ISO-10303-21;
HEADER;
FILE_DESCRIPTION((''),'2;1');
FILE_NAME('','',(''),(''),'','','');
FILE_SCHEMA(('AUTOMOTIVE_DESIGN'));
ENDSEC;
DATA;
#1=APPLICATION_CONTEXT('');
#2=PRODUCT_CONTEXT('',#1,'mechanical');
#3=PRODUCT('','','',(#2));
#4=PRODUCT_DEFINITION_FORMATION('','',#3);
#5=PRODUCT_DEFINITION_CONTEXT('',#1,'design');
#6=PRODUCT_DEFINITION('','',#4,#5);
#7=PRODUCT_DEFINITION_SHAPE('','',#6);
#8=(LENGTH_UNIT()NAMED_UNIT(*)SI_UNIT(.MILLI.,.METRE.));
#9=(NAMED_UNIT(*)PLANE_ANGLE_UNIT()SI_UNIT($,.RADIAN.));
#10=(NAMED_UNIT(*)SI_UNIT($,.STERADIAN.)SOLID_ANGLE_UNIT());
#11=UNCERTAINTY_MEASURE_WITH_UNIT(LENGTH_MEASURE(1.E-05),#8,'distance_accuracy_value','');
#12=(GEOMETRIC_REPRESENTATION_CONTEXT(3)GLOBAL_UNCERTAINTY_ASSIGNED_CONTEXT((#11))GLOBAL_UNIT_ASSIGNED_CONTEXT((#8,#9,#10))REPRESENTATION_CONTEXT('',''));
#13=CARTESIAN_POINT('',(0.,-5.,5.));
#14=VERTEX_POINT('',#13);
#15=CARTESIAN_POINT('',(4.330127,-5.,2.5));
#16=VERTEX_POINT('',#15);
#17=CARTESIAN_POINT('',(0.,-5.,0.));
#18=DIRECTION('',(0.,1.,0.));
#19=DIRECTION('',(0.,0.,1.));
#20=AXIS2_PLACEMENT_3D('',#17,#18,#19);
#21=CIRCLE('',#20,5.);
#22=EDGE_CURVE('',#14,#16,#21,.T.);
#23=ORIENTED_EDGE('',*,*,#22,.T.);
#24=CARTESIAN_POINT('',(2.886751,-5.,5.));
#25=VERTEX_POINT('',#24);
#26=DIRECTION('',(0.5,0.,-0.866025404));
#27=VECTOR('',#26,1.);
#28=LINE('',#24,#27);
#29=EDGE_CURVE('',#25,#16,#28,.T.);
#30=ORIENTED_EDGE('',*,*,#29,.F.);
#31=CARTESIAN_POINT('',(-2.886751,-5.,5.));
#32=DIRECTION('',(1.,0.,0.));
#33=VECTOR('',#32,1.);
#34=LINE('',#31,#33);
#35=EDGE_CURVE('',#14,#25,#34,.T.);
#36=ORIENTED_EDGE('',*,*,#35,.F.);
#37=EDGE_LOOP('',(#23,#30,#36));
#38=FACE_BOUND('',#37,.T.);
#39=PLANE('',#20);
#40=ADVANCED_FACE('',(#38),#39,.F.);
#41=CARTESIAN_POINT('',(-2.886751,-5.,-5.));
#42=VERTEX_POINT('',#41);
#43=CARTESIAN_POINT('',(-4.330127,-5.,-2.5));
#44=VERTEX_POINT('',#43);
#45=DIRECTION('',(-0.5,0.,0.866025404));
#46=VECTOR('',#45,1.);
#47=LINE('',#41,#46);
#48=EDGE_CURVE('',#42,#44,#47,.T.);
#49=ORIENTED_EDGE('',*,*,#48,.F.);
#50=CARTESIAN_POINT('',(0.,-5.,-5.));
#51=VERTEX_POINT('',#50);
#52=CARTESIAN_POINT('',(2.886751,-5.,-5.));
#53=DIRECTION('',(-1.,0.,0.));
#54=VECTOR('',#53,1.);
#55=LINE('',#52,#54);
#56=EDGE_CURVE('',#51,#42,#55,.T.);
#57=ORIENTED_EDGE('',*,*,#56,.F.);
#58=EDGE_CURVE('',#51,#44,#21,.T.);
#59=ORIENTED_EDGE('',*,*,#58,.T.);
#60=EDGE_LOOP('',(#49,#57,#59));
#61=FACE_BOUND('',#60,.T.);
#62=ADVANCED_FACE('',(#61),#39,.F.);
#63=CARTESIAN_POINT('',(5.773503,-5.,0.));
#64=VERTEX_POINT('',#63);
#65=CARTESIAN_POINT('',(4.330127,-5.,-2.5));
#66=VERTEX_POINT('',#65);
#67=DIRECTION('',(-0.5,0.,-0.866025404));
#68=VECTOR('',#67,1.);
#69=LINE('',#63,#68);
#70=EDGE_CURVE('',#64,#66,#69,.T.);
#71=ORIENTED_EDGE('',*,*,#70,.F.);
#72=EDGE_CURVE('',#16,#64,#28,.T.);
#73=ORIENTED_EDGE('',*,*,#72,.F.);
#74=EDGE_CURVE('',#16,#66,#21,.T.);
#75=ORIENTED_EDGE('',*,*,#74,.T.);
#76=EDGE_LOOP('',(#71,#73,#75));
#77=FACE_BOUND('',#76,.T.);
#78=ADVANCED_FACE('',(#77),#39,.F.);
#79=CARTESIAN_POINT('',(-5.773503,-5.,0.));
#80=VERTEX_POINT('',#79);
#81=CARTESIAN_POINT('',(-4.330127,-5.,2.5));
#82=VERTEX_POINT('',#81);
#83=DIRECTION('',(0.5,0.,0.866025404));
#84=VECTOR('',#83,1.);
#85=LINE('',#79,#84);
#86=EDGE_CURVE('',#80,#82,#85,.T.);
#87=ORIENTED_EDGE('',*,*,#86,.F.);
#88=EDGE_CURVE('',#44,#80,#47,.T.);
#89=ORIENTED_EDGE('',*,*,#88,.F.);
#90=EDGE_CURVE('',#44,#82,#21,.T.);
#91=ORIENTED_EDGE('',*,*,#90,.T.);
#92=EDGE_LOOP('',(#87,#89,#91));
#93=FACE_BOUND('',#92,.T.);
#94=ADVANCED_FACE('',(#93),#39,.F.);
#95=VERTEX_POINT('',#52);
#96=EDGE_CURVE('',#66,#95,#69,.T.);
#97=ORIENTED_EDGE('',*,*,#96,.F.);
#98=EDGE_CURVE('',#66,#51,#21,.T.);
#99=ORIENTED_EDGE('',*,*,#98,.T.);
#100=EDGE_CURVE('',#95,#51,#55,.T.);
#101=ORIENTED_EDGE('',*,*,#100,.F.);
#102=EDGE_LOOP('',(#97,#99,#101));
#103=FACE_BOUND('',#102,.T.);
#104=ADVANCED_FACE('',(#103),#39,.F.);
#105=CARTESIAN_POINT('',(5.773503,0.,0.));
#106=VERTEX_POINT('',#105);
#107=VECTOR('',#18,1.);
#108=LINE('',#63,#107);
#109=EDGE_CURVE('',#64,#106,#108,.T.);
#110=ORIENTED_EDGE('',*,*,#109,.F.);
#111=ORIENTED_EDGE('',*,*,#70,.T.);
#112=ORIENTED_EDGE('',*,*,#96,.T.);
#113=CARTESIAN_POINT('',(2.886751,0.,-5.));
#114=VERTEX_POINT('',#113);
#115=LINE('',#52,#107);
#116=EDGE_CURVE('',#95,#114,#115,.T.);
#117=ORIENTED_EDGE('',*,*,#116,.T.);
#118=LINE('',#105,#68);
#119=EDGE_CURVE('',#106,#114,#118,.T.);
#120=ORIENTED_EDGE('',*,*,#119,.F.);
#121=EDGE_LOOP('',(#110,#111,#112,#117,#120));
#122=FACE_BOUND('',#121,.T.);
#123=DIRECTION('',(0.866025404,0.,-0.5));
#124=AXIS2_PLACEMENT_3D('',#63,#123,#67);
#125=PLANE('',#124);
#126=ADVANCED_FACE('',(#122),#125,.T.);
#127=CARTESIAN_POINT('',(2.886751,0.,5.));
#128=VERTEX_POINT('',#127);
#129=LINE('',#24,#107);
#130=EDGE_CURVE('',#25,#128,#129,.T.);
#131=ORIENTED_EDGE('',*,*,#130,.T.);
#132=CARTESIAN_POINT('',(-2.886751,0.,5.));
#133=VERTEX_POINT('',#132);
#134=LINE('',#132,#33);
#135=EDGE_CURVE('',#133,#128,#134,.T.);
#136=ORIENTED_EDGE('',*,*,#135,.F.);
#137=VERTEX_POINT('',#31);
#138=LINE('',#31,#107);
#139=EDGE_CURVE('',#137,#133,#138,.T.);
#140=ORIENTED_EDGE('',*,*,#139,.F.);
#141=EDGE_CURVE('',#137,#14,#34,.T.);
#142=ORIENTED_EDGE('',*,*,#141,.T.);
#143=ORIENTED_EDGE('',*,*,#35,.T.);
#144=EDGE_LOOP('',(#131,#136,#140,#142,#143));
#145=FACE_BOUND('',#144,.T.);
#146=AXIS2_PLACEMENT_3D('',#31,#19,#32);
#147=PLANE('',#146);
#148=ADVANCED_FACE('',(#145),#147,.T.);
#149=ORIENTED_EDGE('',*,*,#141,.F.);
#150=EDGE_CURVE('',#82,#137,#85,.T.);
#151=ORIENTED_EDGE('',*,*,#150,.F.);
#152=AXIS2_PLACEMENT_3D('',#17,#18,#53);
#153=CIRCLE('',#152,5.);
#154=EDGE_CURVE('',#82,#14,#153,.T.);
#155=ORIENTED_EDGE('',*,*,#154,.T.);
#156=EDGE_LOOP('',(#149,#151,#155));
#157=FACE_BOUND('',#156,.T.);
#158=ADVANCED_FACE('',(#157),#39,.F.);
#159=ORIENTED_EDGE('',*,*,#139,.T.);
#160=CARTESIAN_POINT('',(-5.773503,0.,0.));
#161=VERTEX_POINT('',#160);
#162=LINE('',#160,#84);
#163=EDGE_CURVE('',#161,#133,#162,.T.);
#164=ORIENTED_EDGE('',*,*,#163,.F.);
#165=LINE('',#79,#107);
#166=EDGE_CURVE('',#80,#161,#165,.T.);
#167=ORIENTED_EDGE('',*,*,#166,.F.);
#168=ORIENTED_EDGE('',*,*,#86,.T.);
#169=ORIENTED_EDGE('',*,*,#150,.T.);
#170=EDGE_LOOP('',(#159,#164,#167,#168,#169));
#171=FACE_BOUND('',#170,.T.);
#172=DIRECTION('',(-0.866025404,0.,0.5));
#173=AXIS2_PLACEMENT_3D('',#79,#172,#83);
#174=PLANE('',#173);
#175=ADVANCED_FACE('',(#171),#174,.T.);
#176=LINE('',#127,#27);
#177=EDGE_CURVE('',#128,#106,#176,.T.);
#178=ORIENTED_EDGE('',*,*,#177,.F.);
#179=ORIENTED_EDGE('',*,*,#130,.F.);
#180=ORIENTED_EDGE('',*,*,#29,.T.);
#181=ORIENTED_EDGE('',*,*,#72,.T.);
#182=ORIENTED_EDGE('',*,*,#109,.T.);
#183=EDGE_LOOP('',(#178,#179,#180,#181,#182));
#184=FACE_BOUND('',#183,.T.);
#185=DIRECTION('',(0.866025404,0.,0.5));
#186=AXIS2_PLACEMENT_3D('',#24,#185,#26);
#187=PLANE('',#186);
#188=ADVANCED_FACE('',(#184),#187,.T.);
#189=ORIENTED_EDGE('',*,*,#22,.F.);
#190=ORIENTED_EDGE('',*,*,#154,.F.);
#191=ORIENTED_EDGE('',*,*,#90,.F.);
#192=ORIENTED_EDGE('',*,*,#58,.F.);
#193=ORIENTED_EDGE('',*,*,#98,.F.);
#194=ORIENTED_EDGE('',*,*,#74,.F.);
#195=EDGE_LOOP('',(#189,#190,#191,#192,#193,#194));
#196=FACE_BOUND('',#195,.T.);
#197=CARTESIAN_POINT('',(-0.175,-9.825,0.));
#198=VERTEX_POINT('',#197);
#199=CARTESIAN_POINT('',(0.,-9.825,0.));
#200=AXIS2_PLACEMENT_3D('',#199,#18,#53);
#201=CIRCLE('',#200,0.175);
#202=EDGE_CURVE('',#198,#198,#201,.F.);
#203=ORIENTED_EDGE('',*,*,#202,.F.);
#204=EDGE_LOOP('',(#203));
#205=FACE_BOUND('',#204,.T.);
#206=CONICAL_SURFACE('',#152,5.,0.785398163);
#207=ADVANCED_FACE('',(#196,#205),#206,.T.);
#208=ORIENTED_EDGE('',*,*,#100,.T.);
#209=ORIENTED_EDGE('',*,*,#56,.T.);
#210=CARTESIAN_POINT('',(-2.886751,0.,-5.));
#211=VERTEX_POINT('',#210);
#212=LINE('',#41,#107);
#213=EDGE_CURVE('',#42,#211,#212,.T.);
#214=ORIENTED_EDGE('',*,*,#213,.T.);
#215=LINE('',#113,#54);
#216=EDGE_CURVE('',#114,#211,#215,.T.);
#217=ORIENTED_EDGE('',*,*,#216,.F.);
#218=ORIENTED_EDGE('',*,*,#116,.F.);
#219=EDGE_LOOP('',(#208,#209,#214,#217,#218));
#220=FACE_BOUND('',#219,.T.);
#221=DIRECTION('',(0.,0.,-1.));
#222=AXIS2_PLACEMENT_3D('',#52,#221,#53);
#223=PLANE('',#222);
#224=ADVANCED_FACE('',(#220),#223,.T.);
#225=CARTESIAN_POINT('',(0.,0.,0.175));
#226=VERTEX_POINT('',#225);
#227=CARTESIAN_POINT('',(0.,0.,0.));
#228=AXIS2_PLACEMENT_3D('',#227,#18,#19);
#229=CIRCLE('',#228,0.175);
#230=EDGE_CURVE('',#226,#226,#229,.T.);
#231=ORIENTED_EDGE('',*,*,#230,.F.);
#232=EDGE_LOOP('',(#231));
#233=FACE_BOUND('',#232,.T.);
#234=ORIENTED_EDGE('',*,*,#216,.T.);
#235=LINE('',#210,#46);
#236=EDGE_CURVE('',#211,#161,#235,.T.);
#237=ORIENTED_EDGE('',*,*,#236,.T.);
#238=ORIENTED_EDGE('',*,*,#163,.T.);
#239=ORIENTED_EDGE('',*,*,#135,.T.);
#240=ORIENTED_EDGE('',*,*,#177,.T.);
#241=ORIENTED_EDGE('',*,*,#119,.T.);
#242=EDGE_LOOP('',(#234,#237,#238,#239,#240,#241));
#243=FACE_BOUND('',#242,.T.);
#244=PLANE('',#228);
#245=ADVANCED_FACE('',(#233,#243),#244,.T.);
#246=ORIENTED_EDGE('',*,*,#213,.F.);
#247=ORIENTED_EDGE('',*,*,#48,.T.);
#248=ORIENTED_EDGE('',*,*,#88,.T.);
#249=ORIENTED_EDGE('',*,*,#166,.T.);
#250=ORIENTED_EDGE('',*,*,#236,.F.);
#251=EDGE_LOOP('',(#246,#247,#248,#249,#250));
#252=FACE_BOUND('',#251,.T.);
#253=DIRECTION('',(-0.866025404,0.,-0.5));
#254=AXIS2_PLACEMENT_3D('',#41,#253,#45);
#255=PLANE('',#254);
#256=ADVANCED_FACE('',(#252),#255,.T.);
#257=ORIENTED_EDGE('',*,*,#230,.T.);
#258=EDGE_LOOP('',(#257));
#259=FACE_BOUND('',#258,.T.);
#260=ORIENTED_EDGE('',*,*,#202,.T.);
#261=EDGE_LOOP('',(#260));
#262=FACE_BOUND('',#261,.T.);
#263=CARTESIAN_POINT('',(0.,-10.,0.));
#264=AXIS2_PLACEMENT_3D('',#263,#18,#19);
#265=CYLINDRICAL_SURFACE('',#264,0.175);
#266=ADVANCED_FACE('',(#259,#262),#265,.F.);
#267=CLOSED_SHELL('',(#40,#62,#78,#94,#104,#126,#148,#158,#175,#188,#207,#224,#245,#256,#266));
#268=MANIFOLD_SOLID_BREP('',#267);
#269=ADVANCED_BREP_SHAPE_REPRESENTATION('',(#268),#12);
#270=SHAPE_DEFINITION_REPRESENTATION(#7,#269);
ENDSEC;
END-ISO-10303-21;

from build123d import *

# Parameters (mm, degrees)
BOSS_EXTRUDE1_DEPTH = 5
SKETCH4_R           = 0.175
CUT_EXTRUDE1_DEPTH  = 13.583057392


with BuildPart() as part:
    # Sketch1 → Boss-Extrude1 (new body)
    with BuildSketch(Plane(origin=(0, 0, 0), x_dir=(1, 0, 0), z_dir=(0, 1, 0))):
        Polygon((5.773502692, 0), (2.886751346, 5), (-2.886751346, 5), (-5.773502692, 0), (-2.886751346, -5), (2.886751346, -5), align=None)
    extrude(amount=-BOSS_EXTRUDE1_DEPTH)

    # Sketch3 → Revolve1 (revolve)
    with BuildSketch(Plane.XY):
        Polygon((0, -5), (0, -10), (-5, -5), align=None)
    revolve(axis=Axis((0, -5, 0), (0, -1, 0)))

    # Sketch4 → Cut-Extrude1 (cut, through all)
    with BuildSketch(Plane(origin=(0, 0, 0), x_dir=(1, 0, 0), z_dir=(0, 1, 0))):
        with Locations(Location((0, 0, 0), (0, 0, 270))):
            Circle(SKETCH4_R)
    extrude(amount=-CUT_EXTRUDE1_DEPTH, mode=Mode.SUBTRACT)


solid = part.part
